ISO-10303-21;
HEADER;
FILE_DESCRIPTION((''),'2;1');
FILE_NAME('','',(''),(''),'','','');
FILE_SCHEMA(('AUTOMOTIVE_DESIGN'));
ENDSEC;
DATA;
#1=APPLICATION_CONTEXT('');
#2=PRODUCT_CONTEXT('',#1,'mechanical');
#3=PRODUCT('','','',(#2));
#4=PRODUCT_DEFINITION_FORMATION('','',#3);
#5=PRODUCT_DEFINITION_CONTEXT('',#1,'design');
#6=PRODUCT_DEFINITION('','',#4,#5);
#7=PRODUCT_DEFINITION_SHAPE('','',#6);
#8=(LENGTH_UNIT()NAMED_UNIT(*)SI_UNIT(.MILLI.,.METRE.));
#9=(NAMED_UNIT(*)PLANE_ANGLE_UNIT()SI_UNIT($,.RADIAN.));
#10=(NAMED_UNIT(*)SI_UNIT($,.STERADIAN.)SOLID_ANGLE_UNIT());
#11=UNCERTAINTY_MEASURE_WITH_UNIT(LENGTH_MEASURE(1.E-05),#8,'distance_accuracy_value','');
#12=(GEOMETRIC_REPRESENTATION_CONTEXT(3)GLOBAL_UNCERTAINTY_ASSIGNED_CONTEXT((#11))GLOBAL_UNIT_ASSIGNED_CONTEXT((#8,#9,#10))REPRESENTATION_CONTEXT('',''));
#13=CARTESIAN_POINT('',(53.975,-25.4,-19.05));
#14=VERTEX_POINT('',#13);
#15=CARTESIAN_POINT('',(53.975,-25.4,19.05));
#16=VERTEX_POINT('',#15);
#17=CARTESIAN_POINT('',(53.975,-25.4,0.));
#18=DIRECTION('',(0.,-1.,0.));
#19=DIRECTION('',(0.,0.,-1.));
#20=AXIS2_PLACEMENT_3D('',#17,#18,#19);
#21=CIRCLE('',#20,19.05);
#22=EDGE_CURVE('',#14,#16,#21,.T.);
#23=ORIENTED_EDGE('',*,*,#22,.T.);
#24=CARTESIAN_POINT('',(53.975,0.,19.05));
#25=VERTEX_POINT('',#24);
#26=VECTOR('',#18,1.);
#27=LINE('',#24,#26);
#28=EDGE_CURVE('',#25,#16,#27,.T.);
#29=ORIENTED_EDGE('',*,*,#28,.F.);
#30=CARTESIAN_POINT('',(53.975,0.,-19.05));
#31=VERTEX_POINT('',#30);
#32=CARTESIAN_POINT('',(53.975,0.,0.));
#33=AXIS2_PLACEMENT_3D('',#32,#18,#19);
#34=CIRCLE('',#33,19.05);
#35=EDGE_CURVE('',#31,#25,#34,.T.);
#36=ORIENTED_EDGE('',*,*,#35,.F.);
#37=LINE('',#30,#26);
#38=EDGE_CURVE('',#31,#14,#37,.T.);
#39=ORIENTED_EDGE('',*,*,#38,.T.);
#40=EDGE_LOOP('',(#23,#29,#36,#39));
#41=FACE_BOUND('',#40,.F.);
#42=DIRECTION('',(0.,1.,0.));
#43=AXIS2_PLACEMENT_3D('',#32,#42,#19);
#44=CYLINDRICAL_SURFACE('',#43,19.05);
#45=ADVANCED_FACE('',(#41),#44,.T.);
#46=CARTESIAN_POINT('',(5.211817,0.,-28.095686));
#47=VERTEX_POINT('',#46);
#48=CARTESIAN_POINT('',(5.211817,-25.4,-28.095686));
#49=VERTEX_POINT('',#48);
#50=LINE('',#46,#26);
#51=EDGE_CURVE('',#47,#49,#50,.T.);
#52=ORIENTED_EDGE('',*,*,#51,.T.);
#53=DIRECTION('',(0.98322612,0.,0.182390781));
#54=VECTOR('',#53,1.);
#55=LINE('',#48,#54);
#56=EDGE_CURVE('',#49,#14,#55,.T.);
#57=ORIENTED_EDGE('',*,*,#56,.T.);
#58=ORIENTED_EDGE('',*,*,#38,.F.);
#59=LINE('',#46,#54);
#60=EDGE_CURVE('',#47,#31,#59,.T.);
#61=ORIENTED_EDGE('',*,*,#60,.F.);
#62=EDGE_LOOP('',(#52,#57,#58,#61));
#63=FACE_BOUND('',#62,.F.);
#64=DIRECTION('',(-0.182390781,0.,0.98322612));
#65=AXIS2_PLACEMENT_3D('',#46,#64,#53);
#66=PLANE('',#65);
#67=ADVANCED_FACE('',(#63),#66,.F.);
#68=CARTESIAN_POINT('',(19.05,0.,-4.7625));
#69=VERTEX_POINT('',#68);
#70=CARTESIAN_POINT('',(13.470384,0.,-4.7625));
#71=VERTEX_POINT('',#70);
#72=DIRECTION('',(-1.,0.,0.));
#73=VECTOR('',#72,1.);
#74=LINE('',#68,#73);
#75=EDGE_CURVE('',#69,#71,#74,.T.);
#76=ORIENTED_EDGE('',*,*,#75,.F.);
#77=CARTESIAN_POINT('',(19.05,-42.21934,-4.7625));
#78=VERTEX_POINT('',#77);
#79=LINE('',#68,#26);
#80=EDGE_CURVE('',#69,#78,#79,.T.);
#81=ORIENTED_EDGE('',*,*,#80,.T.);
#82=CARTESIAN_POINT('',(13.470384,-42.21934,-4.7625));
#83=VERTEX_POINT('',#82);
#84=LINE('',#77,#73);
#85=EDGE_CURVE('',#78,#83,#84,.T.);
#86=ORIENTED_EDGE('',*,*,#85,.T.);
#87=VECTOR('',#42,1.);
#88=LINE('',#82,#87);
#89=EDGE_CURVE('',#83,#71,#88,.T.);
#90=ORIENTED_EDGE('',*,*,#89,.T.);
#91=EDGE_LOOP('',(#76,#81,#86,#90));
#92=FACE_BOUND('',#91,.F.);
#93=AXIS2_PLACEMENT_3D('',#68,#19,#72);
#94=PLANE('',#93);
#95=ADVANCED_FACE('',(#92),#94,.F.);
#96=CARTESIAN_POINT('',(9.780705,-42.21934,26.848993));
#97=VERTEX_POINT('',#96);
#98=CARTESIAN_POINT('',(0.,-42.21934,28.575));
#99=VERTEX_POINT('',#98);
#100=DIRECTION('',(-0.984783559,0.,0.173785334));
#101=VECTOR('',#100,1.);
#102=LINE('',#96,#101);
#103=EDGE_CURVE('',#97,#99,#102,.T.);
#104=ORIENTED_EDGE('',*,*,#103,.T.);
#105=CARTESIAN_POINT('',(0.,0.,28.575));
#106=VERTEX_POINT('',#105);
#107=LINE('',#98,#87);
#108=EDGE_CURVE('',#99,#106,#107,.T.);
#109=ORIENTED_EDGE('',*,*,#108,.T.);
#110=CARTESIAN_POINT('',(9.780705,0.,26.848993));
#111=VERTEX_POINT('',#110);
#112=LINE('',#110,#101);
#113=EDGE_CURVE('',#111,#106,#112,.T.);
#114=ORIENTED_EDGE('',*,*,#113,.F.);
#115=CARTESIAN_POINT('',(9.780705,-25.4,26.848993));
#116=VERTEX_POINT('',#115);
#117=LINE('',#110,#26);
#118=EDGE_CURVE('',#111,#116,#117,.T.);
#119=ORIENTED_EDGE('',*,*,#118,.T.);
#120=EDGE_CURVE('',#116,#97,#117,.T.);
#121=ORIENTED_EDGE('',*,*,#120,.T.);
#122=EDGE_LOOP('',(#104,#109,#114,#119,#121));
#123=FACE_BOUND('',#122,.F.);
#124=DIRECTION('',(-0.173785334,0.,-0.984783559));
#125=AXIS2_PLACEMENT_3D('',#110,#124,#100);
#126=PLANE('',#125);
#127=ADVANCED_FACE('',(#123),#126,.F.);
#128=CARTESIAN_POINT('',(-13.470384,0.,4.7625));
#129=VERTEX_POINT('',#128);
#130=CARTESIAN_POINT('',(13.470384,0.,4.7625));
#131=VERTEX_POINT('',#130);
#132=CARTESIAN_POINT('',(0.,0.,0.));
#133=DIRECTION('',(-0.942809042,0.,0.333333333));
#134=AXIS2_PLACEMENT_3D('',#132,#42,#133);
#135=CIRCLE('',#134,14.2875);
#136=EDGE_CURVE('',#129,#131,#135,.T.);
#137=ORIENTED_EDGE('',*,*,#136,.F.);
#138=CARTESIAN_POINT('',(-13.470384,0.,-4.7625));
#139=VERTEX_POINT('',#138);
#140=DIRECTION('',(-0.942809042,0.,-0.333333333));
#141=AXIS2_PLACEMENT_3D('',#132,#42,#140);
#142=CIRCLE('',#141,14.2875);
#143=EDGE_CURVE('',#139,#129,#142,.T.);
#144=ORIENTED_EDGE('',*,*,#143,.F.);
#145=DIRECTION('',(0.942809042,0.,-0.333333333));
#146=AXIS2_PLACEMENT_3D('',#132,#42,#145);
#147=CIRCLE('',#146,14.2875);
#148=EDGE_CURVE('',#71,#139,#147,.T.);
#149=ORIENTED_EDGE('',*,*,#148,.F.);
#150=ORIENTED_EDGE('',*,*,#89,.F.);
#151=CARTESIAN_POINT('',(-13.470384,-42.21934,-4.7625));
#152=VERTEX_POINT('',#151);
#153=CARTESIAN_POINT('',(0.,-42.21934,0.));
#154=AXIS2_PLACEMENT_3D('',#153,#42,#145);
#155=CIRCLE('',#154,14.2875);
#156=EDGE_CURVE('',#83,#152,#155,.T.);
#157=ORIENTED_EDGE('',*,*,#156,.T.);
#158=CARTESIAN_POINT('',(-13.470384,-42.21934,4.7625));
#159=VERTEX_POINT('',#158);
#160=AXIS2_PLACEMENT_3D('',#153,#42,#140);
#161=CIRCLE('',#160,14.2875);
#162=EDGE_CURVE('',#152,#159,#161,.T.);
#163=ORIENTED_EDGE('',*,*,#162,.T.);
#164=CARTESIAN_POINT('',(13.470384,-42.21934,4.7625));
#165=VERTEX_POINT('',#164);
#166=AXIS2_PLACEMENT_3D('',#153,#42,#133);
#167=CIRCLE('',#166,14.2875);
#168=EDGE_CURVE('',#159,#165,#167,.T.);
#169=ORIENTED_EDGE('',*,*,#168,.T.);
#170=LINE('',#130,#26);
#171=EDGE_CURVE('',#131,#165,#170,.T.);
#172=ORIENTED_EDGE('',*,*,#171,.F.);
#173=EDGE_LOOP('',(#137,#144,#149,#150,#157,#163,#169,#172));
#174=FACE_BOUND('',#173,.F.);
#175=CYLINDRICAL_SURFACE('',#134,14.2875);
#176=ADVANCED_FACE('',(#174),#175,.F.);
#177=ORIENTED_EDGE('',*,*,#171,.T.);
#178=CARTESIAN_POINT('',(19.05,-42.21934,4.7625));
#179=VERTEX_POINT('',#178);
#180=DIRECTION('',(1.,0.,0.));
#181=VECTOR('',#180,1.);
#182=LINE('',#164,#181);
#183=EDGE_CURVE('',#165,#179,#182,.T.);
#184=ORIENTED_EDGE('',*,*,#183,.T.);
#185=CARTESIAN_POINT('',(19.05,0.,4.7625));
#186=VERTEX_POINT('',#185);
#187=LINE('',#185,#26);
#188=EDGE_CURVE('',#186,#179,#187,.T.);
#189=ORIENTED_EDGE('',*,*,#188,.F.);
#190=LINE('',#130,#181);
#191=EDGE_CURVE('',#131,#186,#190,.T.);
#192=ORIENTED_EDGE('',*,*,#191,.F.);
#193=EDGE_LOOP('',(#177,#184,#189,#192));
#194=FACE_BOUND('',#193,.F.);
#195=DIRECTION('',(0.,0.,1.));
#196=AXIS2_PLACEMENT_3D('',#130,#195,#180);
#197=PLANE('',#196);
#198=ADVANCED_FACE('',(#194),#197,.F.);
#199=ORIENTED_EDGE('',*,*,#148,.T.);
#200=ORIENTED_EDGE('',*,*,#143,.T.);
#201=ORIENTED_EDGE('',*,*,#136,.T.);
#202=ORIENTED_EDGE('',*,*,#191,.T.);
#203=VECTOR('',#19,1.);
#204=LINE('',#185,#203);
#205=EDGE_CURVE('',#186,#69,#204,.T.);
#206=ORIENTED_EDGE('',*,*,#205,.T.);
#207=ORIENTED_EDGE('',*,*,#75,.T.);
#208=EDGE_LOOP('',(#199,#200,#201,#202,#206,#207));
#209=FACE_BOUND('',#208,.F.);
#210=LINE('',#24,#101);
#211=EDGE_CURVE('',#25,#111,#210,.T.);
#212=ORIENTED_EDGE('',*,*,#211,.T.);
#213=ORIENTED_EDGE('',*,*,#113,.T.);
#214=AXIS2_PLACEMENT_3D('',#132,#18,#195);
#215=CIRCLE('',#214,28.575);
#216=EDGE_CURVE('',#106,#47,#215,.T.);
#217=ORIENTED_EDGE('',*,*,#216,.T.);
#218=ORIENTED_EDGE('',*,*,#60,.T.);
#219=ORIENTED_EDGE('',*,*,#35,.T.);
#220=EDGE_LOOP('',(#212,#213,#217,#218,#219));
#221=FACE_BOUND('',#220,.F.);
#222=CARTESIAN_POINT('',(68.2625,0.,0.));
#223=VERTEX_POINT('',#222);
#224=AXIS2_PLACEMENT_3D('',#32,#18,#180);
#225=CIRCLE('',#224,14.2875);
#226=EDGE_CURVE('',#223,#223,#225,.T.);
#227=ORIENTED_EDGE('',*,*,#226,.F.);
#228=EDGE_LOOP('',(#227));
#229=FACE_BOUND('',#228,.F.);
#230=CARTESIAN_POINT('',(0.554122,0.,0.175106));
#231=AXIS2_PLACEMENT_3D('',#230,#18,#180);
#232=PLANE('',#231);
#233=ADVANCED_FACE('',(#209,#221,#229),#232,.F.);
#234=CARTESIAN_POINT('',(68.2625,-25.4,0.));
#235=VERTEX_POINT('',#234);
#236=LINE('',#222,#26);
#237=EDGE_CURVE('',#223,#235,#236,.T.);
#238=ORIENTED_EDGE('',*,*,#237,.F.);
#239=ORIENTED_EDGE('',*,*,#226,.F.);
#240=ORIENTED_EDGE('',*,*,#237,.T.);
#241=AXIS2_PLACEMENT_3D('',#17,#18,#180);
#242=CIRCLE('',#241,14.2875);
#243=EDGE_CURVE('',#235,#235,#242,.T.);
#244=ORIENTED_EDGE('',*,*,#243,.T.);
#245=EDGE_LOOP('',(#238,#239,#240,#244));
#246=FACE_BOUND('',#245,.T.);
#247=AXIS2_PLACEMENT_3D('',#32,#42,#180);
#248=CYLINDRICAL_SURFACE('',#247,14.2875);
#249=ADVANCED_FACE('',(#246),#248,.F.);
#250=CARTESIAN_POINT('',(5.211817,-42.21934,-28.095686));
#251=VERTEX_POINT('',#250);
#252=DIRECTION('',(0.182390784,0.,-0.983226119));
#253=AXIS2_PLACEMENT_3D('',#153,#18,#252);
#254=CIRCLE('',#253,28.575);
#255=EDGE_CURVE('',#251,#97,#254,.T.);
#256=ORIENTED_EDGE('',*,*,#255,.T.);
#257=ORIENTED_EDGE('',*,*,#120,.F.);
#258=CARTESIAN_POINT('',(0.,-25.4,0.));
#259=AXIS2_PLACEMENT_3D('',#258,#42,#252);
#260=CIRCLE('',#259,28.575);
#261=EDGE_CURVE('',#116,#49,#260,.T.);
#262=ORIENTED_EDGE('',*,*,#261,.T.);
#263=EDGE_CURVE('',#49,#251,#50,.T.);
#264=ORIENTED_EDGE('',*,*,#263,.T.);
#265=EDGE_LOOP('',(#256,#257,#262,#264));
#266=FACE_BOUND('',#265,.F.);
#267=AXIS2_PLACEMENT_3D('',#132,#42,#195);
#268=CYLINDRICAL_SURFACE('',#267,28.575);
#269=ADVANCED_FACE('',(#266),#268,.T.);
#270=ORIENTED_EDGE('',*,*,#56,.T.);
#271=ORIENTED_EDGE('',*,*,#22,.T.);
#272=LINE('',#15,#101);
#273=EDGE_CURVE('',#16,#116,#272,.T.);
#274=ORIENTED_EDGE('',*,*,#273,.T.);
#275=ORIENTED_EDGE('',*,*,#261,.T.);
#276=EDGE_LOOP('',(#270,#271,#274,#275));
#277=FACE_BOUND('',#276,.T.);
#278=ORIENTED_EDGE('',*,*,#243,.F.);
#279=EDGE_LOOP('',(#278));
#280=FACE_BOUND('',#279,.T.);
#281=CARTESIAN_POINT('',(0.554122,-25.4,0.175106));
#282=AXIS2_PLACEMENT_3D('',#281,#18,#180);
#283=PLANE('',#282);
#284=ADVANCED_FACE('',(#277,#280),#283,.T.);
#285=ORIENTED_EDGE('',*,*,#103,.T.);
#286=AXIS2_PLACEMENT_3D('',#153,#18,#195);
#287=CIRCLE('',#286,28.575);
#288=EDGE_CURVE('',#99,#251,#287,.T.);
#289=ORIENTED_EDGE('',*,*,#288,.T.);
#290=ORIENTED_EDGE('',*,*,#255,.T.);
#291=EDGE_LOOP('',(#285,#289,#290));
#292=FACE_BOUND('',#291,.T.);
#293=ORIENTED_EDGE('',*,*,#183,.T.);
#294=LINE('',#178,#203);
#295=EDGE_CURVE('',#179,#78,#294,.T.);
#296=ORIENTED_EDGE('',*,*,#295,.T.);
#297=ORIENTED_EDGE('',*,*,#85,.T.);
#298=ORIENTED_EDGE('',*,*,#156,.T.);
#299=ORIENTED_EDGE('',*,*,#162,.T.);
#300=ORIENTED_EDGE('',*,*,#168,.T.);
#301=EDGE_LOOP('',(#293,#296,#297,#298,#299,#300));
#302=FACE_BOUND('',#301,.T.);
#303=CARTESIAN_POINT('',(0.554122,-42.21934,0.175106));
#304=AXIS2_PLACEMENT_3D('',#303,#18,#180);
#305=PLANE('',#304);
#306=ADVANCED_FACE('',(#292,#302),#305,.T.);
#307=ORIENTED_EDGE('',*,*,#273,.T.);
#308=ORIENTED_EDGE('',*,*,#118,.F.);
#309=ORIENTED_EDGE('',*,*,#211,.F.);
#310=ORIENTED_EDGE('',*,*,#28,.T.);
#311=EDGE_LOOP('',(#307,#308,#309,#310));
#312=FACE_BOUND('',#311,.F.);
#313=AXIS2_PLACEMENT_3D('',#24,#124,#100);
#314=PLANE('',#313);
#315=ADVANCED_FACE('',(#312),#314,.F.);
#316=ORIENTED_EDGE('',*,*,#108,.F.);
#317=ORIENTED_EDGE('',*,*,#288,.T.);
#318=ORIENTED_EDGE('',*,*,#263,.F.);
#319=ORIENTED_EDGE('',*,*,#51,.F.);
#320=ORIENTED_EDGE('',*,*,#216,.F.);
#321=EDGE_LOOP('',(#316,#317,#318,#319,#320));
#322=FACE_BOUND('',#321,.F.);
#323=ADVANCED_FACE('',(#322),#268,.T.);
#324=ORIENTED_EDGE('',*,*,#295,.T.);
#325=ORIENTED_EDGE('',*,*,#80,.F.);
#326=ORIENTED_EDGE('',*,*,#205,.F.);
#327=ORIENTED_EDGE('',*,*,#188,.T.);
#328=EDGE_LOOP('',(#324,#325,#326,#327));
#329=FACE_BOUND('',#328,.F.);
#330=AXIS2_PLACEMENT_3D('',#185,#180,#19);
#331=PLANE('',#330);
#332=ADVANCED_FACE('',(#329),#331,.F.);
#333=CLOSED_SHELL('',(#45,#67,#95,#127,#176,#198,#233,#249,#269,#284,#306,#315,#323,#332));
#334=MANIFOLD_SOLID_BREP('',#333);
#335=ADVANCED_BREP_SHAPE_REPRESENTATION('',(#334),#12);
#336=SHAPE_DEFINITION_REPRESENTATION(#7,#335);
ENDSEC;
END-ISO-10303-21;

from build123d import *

# Parameters (mm, degrees)
F0_R     = 14.2875
F1_DEPTH = 25.4
F2_DEPTH = 42.21934


with BuildPart() as f1:
    # F0 (on Front) → F1 (new body)
    with BuildSketch(Plane.XZ):
        with BuildLine():
            ThreePointArc((5.2118166453, -28.0956863638), (21.9710978975, -18.2702348693), (28.575, 0))
            ThreePointArc((28.575, 0), (23.4095521288, 16.3866864902), (9.780704698, 26.8489932886))
            Line((9.780704698, 26.8489932886), (0, 28.575))
            ThreePointArc((0, 28.575), (-28.4549192834, -2.6169053435), (5.2118166453, -28.0956863638))
        make_face()
        with BuildLine():
            ThreePointArc((-13.4703841816, 4.7625), (0, 14.2875), (13.4703841816, 4.7625))
            Line((13.4703841816, 4.7625), (19.05, 4.7625))
            Line((19.05, 4.7625), (19.05, -4.7625))
            Line((19.05, -4.7625), (13.4703841816, -4.7625))
            ThreePointArc((13.4703841816, -4.7625), (0, -14.2875), (-13.4703841816, -4.7625))
            Line((-13.4703841816, -4.7625), (-19.05, -4.7625))
            Line((-19.05, -4.7625), (-19.05, 4.7625))
            Line((-19.05, 4.7625), (-13.4703841816, 4.7625))
        make_face(mode=Mode.SUBTRACT)
        with BuildLine():
            ThreePointArc((9.780704698, 26.8489932886), (23.4095521288, 16.3866864902), (28.575, 0))
            ThreePointArc((28.575, 0), (21.9710978975, -18.2702348693), (5.2118166453, -28.0956863638))
            Line((5.2118166453, -28.0956863638), (53.975, -19.05))
            ThreePointArc((53.975, -19.05), (34.925, 0), (53.975, 19.05))
            Line((53.975, 19.05), (9.780704698, 26.8489932886))
        make_face()
        with BuildLine():
            ThreePointArc((73.025, 0), (67.4453841816, 13.4703841816), (53.975, 19.05))
            ThreePointArc((53.975, 19.05), (34.925, 0), (53.975, -19.05))
            ThreePointArc((53.975, -19.05), (67.4453841816, -13.4703841816), (73.025, 0))
        make_face()
        with Locations((53.975, 0)):
            Circle(F0_R, mode=Mode.SUBTRACT)
        with BuildLine():
            ThreePointArc((-13.4703841816, -4.7625), (-14.2875, 0), (-13.4703841816, 4.7625))
            Line((-13.4703841816, 4.7625), (-19.05, 4.7625))
            Line((-19.05, 4.7625), (-19.05, -4.7625))
            Line((-19.05, -4.7625), (-13.4703841816, -4.7625))
        make_face()
    extrude(amount=F1_DEPTH)

    # F0 (on Front) → F2 (join)
    with BuildSketch(Plane.XZ):
        with BuildLine():
            ThreePointArc((5.2118166453, -28.0956863638), (21.9710978975, -18.2702348693), (28.575, 0))
            ThreePointArc((28.575, 0), (23.4095521288, 16.3866864902), (9.780704698, 26.8489932886))
            Line((9.780704698, 26.8489932886), (0, 28.575))
            ThreePointArc((0, 28.575), (-28.4549192834, -2.6169053435), (5.2118166453, -28.0956863638))
        make_face()
        with BuildLine():
            ThreePointArc((-13.4703841816, 4.7625), (0, 14.2875), (13.4703841816, 4.7625))
            Line((13.4703841816, 4.7625), (19.05, 4.7625))
            Line((19.05, 4.7625), (19.05, -4.7625))
            Line((19.05, -4.7625), (13.4703841816, -4.7625))
            ThreePointArc((13.4703841816, -4.7625), (0, -14.2875), (-13.4703841816, -4.7625))
            Line((-13.4703841816, -4.7625), (-19.05, -4.7625))
            Line((-19.05, -4.7625), (-19.05, 4.7625))
            Line((-19.05, 4.7625), (-13.4703841816, 4.7625))
        make_face(mode=Mode.SUBTRACT)
        with BuildLine():
            ThreePointArc((-13.4703841816, -4.7625), (-14.2875, 0), (-13.4703841816, 4.7625))
            Line((-13.4703841816, 4.7625), (-19.05, 4.7625))
            Line((-19.05, 4.7625), (-19.05, -4.7625))
            Line((-19.05, -4.7625), (-13.4703841816, -4.7625))
        make_face()
    extrude(amount=F2_DEPTH)


solid = f1.part
